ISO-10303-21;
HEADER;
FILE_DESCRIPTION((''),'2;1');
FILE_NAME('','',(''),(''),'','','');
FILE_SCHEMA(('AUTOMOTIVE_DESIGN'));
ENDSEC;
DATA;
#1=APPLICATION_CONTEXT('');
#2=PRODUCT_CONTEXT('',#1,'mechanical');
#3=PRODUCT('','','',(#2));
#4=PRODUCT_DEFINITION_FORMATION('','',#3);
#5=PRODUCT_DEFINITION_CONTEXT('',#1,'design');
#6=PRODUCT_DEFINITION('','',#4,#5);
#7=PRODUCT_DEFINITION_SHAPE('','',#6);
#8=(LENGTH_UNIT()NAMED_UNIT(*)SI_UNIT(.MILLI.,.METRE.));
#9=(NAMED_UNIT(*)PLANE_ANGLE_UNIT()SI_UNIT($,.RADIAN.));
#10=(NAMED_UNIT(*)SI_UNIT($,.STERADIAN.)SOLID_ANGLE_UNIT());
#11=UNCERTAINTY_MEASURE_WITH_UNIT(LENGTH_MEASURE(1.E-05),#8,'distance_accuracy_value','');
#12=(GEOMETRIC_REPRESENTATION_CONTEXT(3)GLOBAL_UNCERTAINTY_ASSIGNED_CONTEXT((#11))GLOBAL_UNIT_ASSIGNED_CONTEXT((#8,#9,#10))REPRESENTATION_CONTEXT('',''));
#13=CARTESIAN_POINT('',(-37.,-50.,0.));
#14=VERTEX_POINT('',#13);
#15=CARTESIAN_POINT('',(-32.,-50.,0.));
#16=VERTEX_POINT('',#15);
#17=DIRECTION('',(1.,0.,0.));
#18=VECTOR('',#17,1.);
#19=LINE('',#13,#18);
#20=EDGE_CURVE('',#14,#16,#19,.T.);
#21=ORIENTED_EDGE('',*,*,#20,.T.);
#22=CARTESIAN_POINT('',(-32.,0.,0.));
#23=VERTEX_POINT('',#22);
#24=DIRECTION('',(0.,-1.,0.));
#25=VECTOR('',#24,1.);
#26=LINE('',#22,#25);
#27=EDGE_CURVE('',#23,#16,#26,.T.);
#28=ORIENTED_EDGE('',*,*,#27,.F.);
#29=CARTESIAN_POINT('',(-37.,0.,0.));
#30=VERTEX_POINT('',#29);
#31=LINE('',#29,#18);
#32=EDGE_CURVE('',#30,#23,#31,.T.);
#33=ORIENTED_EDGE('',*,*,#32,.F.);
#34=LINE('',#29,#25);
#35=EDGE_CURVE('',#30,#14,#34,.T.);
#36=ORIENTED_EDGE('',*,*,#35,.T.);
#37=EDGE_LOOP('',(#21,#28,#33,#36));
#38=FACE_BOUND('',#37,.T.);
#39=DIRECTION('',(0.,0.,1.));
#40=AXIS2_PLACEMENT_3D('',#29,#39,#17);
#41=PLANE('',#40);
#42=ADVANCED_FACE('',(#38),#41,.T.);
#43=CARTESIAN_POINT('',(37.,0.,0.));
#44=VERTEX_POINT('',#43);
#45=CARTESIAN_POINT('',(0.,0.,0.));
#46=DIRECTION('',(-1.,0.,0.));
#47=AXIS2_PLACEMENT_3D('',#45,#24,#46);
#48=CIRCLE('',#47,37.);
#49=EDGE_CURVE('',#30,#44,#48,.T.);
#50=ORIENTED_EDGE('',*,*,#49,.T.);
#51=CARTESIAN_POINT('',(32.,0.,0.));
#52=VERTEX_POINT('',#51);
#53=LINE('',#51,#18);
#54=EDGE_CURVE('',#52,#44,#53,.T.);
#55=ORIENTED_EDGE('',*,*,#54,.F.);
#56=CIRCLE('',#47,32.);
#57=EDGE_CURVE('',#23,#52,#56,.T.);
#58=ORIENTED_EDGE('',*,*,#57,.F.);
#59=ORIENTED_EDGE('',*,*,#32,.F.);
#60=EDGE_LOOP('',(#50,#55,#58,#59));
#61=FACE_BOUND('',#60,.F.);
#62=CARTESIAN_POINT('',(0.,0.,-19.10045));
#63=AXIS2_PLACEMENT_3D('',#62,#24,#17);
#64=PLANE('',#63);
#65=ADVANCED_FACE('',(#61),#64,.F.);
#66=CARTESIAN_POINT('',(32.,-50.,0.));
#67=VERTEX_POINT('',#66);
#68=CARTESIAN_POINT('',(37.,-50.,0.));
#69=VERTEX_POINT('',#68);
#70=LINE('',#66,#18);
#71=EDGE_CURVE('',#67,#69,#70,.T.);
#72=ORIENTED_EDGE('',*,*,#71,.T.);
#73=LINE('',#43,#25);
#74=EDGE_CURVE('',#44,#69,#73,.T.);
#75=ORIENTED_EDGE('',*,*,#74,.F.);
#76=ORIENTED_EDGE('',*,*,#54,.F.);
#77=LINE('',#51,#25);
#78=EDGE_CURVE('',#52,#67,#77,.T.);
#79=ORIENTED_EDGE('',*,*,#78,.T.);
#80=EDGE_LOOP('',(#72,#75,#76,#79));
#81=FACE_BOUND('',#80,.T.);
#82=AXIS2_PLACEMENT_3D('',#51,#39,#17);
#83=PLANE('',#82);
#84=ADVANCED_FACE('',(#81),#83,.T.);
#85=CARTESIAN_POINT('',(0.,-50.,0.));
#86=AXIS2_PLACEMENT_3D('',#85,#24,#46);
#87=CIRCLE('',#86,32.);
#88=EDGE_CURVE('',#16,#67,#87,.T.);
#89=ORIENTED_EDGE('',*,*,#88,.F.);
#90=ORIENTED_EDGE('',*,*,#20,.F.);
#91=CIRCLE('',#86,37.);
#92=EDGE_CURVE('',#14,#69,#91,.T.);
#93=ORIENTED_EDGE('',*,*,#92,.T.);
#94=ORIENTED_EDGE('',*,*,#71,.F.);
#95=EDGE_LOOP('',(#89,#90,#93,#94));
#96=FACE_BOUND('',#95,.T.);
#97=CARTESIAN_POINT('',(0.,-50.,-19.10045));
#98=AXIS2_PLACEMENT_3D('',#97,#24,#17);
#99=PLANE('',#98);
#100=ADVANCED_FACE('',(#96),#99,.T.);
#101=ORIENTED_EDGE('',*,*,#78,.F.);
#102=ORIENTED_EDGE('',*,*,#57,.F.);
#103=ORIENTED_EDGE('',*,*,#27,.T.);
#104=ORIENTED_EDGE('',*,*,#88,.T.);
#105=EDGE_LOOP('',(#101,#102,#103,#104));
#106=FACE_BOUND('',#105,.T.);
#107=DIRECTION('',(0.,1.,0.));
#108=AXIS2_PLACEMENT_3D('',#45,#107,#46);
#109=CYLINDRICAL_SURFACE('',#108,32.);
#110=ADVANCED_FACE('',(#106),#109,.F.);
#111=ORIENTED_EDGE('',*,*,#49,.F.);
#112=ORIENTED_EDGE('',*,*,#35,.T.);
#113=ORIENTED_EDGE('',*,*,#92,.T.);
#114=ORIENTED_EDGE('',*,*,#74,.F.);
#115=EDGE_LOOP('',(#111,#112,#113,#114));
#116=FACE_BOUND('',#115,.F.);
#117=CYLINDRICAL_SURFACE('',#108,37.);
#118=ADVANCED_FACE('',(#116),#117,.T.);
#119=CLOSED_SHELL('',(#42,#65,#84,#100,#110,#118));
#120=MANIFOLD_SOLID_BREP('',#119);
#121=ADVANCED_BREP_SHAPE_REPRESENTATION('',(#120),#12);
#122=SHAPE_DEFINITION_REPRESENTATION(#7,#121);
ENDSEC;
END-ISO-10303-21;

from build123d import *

# Parameters (mm, degrees)
PAD_DEPTH = 50


with BuildPart() as part:
    # Sketch → Pad (new body)
    with BuildSketch(Plane.XZ):
        with BuildLine():
            ThreePointArc((-37, 0), (0, -37), (37, 0))
            Line((32, 0), (37, 0))
            ThreePointArc((-32, 0), (0, -32), (32, 0))
            Line((-37, 0), (-32, 0))
        make_face()
    extrude(amount=PAD_DEPTH)


solid = part.part
